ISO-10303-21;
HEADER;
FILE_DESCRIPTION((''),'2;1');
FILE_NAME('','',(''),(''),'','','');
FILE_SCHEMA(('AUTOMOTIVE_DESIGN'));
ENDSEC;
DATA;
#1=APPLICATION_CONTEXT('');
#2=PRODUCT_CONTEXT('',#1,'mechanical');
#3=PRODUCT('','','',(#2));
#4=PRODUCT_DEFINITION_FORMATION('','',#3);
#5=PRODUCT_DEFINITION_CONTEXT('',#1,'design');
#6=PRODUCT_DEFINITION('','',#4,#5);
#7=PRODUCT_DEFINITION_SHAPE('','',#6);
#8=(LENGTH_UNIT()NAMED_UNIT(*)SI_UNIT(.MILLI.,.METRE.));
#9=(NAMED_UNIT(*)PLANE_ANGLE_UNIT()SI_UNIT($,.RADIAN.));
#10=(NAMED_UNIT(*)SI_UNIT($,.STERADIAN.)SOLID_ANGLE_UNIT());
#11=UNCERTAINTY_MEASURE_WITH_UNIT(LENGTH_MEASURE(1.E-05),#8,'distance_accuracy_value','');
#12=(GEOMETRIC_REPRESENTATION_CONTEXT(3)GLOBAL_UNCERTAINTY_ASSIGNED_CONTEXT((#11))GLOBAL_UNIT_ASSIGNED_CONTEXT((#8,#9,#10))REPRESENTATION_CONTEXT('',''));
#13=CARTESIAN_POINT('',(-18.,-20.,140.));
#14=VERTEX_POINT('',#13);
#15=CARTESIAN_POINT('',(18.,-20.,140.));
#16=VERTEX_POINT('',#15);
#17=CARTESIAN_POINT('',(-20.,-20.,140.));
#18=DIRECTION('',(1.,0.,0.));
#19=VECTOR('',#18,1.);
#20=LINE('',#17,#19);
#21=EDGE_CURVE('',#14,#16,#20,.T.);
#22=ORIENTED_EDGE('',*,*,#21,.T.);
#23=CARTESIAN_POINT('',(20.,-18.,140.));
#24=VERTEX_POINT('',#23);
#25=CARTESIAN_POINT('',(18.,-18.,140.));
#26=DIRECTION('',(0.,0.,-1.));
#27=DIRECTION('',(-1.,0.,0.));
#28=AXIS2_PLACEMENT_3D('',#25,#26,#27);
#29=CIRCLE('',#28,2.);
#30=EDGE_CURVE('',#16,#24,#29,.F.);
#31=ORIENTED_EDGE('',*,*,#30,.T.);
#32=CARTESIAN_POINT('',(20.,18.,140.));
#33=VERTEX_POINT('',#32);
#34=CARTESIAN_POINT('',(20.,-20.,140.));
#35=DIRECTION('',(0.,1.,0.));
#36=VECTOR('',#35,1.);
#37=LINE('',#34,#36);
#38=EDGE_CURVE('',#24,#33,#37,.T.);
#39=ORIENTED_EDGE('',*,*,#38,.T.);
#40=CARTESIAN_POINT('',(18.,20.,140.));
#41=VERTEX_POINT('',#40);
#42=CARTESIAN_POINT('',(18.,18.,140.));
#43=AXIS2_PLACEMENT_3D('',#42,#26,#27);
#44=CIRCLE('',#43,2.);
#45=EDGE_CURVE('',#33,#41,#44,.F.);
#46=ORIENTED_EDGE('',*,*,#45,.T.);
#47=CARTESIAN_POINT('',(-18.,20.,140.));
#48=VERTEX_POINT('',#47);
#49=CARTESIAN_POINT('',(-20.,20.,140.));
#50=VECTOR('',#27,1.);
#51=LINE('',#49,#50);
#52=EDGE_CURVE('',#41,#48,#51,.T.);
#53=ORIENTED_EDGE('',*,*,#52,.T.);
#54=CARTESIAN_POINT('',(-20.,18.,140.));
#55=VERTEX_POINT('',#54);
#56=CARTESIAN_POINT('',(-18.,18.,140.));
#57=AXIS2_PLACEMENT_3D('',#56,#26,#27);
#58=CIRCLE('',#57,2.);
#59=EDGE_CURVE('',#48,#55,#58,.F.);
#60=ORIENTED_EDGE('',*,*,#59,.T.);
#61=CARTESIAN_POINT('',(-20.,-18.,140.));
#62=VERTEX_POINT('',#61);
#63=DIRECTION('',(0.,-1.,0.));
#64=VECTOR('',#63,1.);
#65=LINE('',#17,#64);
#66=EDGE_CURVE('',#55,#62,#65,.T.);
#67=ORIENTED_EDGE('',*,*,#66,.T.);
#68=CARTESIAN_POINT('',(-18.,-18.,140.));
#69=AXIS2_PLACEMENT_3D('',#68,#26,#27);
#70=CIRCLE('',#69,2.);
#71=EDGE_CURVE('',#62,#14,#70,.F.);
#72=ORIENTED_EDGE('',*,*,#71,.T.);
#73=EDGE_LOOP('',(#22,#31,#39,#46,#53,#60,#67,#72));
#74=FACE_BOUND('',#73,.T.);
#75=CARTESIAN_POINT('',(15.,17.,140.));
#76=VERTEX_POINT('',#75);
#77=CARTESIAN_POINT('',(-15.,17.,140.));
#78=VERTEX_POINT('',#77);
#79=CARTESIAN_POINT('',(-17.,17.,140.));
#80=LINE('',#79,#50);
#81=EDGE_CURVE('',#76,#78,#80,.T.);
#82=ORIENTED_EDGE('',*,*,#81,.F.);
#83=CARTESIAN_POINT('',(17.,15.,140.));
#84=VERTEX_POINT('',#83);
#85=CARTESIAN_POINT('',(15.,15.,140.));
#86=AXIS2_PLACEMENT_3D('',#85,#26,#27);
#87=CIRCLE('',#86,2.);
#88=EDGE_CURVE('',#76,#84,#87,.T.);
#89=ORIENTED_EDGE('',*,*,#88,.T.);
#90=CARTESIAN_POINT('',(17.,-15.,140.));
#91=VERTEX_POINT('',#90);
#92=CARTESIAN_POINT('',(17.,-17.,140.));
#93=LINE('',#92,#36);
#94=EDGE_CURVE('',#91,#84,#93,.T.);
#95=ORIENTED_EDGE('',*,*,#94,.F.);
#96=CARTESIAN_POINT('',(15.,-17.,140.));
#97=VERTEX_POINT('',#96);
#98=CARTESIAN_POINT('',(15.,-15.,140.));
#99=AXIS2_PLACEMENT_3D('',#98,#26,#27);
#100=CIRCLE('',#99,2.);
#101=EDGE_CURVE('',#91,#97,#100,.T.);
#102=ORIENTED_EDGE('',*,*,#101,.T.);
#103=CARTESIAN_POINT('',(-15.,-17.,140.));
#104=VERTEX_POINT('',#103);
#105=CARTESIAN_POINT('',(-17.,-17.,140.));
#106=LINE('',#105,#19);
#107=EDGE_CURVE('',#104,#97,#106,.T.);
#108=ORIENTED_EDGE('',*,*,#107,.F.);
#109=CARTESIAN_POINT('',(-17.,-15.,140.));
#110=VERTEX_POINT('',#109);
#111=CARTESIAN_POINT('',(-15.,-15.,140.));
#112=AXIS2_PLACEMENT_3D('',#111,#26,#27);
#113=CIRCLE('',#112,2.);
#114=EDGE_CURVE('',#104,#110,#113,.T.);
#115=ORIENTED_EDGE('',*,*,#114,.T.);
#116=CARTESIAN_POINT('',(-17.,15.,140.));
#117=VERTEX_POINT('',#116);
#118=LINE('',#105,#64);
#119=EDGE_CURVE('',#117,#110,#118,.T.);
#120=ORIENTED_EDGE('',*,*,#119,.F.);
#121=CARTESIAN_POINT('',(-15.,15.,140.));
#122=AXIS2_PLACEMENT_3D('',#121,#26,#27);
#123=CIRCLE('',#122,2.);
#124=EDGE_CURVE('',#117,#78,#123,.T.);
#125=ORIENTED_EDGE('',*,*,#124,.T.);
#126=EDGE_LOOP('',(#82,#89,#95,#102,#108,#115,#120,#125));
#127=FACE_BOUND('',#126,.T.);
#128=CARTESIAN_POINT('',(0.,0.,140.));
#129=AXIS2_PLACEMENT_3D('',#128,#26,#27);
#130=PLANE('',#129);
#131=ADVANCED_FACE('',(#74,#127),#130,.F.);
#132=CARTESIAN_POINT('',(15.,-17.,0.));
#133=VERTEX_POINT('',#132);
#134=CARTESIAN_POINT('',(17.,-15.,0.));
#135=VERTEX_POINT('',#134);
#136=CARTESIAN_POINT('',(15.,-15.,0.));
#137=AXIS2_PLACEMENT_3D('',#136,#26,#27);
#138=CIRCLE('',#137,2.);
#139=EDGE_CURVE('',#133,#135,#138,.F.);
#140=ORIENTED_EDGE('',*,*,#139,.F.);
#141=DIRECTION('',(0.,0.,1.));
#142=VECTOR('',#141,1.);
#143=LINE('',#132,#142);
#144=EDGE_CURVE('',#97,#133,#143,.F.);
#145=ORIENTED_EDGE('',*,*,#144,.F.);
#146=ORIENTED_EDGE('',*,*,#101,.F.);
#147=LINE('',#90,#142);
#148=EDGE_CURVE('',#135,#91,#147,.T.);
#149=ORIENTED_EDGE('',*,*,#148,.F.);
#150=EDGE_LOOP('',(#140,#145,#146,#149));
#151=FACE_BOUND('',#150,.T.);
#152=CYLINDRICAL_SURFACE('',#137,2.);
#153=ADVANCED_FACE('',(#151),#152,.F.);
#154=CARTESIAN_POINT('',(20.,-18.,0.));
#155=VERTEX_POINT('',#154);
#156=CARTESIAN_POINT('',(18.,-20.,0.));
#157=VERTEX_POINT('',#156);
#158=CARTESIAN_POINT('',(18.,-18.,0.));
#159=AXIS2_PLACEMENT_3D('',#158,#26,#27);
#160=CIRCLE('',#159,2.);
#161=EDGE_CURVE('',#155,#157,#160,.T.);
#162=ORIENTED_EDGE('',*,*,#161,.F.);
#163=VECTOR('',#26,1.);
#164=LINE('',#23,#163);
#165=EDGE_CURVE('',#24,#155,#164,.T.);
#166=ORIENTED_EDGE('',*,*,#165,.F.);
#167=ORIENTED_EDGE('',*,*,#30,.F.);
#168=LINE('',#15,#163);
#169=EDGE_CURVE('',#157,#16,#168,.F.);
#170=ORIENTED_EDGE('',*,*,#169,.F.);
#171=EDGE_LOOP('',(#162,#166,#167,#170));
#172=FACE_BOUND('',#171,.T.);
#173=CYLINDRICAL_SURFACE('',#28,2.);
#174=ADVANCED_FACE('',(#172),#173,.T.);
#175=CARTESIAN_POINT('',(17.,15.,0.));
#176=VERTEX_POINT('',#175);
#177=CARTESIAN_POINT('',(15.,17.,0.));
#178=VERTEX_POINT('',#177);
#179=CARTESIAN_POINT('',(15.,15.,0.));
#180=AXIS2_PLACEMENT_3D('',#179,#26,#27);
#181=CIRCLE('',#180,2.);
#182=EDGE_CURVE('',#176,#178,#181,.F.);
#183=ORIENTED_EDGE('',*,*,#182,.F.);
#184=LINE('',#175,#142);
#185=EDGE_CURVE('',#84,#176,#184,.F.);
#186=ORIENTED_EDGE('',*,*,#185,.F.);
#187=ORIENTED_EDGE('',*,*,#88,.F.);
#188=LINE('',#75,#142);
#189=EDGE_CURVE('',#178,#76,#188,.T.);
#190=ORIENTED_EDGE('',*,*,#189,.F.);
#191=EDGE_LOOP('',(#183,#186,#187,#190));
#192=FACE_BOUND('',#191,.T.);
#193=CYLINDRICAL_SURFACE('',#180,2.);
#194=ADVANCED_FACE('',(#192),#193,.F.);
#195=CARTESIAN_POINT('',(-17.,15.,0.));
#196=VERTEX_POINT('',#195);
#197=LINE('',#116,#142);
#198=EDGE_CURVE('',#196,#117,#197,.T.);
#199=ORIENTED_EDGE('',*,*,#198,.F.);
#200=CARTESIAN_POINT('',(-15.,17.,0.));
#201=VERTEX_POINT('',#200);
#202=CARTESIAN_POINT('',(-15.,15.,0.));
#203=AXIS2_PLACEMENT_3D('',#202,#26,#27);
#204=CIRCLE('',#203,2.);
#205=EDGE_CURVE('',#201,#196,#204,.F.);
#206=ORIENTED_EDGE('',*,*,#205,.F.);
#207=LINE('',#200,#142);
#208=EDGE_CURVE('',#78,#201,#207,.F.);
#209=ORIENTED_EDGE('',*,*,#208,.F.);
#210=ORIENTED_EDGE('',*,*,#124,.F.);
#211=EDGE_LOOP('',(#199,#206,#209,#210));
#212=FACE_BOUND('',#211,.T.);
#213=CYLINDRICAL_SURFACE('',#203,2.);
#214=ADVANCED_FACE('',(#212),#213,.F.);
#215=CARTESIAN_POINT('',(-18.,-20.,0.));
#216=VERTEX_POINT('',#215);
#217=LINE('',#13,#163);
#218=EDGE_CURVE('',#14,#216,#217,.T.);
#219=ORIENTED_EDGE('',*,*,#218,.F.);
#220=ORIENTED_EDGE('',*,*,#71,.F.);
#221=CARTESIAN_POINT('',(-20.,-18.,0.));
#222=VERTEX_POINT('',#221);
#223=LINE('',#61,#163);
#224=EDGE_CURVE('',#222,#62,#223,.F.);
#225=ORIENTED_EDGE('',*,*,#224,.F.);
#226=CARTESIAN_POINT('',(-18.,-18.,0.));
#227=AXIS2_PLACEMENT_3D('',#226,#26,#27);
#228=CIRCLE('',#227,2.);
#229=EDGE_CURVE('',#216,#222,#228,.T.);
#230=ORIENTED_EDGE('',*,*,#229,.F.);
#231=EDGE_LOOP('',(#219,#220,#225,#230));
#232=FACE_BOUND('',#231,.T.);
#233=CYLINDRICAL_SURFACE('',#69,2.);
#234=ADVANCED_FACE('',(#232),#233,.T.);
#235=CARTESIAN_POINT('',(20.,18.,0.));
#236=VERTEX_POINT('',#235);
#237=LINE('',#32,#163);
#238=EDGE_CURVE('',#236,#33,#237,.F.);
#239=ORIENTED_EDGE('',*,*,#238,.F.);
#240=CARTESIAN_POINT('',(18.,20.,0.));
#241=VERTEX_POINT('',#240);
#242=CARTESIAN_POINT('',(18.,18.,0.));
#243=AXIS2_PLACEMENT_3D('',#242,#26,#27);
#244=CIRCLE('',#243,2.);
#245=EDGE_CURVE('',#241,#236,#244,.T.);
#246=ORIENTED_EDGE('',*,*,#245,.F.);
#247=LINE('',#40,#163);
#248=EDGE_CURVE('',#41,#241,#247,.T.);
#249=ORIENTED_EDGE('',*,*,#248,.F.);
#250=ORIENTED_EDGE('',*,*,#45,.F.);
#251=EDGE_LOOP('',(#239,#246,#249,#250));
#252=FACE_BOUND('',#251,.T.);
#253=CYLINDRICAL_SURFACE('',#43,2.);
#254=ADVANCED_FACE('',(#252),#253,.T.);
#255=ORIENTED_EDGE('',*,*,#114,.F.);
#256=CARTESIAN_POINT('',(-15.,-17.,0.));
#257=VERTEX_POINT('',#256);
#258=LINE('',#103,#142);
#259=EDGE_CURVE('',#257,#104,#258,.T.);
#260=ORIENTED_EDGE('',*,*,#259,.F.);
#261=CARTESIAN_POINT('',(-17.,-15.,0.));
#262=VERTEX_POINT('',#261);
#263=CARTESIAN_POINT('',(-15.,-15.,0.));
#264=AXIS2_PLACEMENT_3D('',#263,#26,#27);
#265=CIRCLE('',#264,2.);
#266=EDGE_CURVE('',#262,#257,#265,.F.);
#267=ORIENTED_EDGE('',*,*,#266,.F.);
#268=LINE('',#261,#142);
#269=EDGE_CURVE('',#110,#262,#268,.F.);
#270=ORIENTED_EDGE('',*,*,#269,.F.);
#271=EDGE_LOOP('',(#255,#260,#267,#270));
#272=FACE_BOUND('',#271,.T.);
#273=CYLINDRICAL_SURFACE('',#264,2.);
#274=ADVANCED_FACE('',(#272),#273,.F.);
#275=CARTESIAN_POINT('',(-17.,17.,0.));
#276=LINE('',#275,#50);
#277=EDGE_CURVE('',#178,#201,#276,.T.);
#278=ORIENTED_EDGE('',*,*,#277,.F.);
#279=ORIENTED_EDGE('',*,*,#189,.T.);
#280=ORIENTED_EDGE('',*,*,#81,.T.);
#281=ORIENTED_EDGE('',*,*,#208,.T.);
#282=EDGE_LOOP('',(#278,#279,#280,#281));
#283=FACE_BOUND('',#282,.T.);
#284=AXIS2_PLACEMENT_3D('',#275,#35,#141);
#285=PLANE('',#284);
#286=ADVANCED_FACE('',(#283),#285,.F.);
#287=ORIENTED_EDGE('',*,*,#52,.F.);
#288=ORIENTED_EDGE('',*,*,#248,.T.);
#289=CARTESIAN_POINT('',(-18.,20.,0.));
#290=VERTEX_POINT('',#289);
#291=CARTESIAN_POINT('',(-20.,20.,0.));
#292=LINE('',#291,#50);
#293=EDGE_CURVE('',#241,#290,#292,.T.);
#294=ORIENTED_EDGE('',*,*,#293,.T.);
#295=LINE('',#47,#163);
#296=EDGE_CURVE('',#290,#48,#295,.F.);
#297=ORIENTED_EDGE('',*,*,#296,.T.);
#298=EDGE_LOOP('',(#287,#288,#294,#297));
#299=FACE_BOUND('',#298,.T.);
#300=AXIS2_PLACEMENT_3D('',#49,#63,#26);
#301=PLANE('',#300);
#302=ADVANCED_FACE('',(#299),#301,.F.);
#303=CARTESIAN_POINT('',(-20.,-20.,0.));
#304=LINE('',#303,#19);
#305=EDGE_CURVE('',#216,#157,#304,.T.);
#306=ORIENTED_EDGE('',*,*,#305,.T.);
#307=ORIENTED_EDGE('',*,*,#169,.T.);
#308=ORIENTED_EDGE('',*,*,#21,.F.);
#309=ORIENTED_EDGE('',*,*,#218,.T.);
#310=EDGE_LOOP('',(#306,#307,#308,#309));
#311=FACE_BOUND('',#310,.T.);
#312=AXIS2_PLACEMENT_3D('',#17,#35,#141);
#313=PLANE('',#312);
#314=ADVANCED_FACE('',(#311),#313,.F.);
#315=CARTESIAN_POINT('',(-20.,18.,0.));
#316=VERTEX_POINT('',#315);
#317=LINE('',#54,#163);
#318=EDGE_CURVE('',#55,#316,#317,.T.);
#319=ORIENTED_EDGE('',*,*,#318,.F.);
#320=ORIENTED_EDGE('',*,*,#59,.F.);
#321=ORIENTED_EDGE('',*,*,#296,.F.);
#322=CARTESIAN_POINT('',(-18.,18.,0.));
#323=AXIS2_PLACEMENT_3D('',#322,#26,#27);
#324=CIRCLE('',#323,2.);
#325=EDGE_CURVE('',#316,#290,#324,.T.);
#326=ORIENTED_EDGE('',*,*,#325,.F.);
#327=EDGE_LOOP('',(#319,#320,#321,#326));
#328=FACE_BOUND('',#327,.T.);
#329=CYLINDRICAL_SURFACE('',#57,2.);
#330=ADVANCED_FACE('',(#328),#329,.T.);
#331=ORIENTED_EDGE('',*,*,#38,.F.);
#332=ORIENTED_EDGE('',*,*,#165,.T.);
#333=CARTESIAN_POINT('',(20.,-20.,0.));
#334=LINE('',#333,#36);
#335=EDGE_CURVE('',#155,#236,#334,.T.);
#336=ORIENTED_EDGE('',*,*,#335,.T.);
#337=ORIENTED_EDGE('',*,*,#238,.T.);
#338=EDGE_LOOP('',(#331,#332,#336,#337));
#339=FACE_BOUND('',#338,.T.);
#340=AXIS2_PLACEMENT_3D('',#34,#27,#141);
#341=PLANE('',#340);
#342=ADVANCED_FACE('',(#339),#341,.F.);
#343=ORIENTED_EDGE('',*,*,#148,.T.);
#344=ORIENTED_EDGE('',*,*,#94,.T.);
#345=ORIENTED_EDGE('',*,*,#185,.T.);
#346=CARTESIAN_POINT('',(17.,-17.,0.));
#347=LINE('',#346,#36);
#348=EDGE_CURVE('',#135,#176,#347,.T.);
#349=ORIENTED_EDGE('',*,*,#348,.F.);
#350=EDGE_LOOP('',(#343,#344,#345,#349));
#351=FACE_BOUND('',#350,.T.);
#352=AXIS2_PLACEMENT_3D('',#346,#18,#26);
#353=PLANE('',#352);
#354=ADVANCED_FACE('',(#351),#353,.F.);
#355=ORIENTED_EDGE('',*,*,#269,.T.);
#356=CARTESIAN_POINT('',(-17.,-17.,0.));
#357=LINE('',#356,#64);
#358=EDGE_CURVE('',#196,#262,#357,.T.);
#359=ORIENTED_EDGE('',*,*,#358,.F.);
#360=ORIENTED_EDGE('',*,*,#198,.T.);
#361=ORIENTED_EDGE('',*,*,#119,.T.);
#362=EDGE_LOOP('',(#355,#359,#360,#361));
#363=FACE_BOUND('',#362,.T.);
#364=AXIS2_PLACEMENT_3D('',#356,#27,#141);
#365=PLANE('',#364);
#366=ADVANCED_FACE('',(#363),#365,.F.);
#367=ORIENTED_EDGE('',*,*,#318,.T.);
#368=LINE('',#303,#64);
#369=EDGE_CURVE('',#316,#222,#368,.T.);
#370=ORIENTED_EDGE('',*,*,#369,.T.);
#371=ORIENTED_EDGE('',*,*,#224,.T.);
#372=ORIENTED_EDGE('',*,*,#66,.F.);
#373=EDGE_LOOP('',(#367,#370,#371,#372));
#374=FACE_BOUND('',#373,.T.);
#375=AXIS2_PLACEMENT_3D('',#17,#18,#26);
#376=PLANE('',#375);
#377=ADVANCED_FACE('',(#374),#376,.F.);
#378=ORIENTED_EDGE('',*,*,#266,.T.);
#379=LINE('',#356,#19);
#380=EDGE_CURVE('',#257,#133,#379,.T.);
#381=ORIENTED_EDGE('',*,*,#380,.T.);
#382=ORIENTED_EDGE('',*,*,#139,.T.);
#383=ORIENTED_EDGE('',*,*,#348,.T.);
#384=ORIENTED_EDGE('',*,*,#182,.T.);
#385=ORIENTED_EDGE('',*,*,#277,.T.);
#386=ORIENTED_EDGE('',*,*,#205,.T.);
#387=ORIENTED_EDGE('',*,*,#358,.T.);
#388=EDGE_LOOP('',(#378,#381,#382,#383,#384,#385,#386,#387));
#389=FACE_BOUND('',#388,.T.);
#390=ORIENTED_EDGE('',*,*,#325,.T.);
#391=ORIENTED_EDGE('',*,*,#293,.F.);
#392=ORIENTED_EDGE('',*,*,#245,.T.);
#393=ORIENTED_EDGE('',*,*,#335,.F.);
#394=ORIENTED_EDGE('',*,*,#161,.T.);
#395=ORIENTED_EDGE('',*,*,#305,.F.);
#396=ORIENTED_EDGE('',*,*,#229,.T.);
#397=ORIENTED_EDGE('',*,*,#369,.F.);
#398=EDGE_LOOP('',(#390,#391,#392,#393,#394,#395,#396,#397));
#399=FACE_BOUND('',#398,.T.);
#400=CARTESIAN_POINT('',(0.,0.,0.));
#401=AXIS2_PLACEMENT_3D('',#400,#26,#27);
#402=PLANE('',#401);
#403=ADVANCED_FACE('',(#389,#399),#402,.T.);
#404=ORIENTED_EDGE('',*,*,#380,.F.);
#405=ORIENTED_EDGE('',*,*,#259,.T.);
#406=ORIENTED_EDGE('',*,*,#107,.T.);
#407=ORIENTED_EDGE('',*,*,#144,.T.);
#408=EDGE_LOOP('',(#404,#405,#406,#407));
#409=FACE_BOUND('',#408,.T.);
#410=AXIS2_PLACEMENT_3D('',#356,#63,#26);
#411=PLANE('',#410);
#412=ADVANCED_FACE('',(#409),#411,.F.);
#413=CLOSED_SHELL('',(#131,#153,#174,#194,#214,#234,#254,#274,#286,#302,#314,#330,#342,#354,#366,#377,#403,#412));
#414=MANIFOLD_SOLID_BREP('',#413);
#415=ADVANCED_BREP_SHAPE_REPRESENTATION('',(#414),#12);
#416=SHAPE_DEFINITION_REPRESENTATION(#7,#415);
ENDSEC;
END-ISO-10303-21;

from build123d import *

# Parameters (mm, degrees)
SKETCH1_W           = 40
SKETCH1_H           = 40
BOSS_EXTRUDE1_DEPTH = 140
SKETCH2_W           = 34
SKETCH2_H           = 34
CUT_EXTRUDE1_DEPTH  = 143.828568571
FILLET1_R           = 2
FILLET2_R           = 2


with BuildPart() as part:
    # Sketch1 → Boss-Extrude1 (new body)
    with BuildSketch(Plane.XY):
        Rectangle(SKETCH1_W, SKETCH1_H)
    extrude(amount=BOSS_EXTRUDE1_DEPTH)

    # Sketch2 → Cut-Extrude1 (cut, through all)
    with BuildSketch(Plane.XY.offset(140)):
        Rectangle(SKETCH2_W, SKETCH2_H)
    extrude(amount=-CUT_EXTRUDE1_DEPTH, mode=Mode.SUBTRACT)

    # Fillet1
    fillet1_edges = [part.edges().sort_by_distance(p)[0] for p in [
        (20, -20, 70),
        (-20, -20, 70),
        (-20, 20, 70),
        (20, 20, 70),
    ]]
    fillet(fillet1_edges, radius=FILLET1_R)

    # Fillet2
    fillet2_edges = [part.edges().sort_by_distance(p)[0] for p in [
        (17, 17, 70),
        (17, -17, 70),
        (-17, -17, 70),
        (-17, 17, 70),
    ]]
    fillet(fillet2_edges, radius=FILLET2_R)


solid = part.part
